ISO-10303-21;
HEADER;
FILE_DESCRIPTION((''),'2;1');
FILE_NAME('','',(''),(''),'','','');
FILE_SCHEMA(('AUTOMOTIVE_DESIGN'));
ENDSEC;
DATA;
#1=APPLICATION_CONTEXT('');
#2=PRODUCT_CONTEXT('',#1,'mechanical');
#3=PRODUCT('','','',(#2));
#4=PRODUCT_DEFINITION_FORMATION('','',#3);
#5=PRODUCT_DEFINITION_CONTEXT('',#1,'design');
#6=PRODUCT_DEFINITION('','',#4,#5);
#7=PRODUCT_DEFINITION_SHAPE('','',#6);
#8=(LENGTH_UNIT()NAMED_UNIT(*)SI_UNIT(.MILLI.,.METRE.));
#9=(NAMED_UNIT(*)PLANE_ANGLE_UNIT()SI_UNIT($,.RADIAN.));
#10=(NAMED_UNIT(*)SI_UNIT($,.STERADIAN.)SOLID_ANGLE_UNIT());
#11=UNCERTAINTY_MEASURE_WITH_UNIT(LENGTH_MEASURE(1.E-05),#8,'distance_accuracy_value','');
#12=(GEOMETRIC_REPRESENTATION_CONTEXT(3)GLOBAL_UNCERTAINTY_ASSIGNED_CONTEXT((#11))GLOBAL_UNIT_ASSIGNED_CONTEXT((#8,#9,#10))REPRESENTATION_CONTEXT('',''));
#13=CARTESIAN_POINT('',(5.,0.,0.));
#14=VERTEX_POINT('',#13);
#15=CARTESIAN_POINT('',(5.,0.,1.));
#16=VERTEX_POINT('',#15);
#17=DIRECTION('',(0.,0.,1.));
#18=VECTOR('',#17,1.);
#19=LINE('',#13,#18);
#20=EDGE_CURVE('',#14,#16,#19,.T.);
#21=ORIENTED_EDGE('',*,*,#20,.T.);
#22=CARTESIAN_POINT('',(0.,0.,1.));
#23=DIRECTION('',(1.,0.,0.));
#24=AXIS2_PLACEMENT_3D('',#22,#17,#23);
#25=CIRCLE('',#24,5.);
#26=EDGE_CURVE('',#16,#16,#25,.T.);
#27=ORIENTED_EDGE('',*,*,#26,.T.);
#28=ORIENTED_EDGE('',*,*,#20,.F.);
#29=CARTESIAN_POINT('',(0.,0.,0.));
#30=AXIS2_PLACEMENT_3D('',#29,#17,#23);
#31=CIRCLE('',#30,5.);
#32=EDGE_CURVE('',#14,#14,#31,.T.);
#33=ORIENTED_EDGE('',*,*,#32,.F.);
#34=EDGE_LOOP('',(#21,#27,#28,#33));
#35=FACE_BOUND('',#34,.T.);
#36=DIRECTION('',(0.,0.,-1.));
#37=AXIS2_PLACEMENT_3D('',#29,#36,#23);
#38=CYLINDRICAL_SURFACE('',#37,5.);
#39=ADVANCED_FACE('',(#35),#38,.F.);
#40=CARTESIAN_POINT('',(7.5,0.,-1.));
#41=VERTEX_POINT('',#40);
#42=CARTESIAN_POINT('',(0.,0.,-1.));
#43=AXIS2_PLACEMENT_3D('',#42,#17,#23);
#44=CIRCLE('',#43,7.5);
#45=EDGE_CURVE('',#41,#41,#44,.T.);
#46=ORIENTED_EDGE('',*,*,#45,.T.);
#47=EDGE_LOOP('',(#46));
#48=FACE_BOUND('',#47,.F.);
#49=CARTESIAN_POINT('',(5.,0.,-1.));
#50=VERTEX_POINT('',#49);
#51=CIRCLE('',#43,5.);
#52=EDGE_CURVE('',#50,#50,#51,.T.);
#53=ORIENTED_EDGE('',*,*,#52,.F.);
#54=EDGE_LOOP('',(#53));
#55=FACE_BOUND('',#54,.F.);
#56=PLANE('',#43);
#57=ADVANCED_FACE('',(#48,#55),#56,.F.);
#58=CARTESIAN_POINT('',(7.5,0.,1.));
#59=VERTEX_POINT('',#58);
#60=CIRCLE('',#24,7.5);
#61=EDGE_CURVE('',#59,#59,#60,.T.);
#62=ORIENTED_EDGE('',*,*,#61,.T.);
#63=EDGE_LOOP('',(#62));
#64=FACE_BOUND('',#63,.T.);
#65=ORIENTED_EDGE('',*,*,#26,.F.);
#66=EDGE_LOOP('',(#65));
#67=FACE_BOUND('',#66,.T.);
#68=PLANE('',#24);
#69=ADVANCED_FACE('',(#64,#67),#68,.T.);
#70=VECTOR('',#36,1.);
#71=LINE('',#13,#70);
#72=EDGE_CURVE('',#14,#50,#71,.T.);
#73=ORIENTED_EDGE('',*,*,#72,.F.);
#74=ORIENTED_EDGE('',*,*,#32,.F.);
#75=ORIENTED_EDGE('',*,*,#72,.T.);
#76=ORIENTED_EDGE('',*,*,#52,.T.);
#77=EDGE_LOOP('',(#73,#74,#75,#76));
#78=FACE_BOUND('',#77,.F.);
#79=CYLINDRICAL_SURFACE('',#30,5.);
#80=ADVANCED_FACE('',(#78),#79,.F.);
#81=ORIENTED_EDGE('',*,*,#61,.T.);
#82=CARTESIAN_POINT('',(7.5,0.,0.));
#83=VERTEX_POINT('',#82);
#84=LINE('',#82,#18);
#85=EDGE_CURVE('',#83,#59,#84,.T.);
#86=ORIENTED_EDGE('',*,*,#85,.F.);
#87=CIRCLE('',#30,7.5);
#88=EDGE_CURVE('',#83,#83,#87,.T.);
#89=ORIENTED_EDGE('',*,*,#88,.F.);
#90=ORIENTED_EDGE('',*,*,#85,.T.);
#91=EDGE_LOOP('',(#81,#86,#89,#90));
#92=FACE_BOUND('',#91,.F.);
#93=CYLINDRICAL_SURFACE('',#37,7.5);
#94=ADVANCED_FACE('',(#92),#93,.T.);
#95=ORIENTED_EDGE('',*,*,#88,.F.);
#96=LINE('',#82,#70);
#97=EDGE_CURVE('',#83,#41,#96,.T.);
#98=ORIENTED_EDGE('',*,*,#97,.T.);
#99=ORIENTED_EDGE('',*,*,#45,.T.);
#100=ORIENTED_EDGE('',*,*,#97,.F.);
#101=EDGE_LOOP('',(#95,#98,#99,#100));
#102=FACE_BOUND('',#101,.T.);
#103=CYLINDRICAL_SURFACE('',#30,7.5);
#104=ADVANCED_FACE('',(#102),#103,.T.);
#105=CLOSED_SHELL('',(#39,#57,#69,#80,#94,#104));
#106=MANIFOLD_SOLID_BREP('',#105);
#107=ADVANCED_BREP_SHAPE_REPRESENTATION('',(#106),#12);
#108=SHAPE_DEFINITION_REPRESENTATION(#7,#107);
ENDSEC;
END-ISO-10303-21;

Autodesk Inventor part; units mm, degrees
ref_plane "YZ Plane" through (0, 0, 0) normal (1, 0, 0) x (0, 1, 0)
ref_plane "XZ Plane" through (0, 0, 0) normal (0, 1, 0) x (-1, 0, 0)
ref_plane "XY Plane" through (0, 0, 0) normal (0, 0, 1) x (1, 0, 0)
sketch "Sketch1" plane through (0, 0, 0) normal (0, 0, 1) x (1, 0, 0)
  circle A0 centre (0, 0) radius 5
  circle A1 centre (0, 0) radius 7.5
  dimension "d0" = 10
  dimension "d1" = 15
extrude "Extrusion1" add sketch "Sketch1" along normal mid plane 2
properties part number "Top_Lever 2mm Spacer" material "Stainless Steel"
